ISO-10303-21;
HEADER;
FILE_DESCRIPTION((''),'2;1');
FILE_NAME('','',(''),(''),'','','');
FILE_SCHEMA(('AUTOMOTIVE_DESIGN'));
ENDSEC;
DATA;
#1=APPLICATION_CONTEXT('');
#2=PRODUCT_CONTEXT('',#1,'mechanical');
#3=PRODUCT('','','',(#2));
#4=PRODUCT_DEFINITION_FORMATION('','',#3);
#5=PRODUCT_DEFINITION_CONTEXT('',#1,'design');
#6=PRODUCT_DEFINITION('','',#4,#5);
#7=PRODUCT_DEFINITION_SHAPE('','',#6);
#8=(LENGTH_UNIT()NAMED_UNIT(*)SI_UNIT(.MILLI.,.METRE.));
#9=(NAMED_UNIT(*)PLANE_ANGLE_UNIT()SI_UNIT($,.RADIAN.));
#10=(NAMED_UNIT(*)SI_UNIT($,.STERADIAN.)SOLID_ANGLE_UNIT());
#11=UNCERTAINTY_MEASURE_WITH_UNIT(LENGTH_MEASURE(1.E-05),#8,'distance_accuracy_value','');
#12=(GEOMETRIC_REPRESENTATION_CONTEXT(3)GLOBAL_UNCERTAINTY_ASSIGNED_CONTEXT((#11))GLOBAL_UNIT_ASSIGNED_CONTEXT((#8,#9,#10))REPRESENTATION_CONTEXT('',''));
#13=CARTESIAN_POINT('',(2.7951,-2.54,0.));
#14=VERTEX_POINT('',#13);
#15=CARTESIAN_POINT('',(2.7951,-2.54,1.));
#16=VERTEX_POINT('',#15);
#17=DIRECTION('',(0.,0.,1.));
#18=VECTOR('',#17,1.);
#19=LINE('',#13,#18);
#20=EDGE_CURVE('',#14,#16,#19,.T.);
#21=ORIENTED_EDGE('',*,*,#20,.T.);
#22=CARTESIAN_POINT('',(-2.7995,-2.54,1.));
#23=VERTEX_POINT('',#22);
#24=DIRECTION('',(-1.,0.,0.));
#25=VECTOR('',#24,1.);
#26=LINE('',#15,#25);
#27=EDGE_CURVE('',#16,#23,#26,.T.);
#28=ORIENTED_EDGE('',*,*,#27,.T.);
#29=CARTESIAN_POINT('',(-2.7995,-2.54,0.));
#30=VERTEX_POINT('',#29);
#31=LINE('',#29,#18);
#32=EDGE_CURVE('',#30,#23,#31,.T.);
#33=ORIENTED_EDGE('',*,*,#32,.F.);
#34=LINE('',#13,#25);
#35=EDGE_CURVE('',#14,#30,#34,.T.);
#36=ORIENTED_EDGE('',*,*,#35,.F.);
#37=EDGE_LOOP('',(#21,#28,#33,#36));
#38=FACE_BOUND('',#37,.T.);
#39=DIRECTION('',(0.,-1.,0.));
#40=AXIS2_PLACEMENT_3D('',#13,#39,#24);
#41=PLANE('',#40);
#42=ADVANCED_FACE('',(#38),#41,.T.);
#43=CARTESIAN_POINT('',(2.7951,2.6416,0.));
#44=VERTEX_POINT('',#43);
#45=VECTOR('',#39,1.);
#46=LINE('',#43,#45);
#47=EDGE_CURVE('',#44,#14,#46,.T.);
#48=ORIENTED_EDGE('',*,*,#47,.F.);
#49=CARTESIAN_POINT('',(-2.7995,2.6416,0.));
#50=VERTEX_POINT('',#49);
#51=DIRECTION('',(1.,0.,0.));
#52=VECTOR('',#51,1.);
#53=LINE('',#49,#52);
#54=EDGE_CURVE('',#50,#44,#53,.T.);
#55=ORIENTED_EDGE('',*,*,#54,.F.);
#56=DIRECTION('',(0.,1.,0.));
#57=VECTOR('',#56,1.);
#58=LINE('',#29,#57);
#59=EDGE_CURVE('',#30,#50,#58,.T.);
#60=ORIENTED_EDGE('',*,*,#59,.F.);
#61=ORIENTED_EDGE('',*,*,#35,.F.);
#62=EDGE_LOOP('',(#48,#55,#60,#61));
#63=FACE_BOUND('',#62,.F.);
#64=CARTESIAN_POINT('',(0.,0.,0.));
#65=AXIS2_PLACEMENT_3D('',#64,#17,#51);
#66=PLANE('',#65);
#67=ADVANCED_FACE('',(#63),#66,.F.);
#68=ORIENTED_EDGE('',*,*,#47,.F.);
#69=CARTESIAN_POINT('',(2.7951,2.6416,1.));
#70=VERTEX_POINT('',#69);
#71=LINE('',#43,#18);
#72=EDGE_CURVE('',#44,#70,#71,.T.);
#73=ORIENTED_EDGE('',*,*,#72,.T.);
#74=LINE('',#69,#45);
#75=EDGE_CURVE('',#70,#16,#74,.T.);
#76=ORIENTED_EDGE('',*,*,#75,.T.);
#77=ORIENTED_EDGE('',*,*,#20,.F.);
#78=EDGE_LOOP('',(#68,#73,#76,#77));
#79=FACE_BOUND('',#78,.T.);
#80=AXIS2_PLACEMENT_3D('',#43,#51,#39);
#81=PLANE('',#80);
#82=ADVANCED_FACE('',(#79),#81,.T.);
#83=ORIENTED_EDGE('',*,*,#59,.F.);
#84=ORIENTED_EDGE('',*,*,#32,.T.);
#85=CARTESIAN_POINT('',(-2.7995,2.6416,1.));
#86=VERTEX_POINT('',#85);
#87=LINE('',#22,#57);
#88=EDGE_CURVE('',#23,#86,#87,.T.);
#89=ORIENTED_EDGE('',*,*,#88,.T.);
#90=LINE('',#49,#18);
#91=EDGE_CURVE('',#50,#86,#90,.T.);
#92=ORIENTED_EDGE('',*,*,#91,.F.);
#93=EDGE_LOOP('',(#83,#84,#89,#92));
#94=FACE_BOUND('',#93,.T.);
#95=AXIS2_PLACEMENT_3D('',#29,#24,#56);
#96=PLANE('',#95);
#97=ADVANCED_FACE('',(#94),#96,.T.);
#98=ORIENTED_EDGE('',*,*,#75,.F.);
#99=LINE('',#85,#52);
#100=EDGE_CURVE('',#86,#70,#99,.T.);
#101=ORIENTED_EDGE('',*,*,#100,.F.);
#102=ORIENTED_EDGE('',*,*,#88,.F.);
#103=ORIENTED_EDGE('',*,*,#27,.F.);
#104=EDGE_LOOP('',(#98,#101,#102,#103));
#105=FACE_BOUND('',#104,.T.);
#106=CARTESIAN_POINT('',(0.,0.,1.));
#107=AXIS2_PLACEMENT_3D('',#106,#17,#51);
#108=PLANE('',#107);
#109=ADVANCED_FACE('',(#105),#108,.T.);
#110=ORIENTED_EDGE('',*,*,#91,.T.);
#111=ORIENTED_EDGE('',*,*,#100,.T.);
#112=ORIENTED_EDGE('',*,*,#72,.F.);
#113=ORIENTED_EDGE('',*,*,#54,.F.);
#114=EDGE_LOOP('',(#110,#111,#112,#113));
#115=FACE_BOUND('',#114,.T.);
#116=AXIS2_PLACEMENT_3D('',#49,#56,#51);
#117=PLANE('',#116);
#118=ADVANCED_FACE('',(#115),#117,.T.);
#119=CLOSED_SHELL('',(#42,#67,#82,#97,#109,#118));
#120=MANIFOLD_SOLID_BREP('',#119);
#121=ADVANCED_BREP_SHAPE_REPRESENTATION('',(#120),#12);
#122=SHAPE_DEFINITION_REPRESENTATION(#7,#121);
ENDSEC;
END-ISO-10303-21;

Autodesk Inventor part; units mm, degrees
ref_plane "YZ Plane" through (0, 0, 0) normal (1, 0, 0) x (0, 1, 0)
ref_plane "XZ Plane" through (0, 0, 0) normal (0, 1, 0) x (-1, 0, 0)
ref_plane "XY Plane" through (0, 0, 0) normal (0, 0, 1) x (1, 0, 0)
sketch "SOIC8TP, A4950ELJTR-T_48" plane through (0, 0, 0) normal (0, 0, 1) x (1, 0, 0)
  line L0 (-2.7995, 2.6416) -> (2.7951, 2.6416)
  line L1 (2.7951, 2.6416) -> (2.7951, -2.54)
  line L2 (2.7951, -2.54) -> (-2.7995, -2.54)
  line L3 (-2.7995, -2.54) -> (-2.7995, 2.6416)
extrude "Extrusion1" add sketch "SOIC8TP, A4950ELJTR-T_48" along normal blind 1
properties part number "A4950ELJTR-T"
